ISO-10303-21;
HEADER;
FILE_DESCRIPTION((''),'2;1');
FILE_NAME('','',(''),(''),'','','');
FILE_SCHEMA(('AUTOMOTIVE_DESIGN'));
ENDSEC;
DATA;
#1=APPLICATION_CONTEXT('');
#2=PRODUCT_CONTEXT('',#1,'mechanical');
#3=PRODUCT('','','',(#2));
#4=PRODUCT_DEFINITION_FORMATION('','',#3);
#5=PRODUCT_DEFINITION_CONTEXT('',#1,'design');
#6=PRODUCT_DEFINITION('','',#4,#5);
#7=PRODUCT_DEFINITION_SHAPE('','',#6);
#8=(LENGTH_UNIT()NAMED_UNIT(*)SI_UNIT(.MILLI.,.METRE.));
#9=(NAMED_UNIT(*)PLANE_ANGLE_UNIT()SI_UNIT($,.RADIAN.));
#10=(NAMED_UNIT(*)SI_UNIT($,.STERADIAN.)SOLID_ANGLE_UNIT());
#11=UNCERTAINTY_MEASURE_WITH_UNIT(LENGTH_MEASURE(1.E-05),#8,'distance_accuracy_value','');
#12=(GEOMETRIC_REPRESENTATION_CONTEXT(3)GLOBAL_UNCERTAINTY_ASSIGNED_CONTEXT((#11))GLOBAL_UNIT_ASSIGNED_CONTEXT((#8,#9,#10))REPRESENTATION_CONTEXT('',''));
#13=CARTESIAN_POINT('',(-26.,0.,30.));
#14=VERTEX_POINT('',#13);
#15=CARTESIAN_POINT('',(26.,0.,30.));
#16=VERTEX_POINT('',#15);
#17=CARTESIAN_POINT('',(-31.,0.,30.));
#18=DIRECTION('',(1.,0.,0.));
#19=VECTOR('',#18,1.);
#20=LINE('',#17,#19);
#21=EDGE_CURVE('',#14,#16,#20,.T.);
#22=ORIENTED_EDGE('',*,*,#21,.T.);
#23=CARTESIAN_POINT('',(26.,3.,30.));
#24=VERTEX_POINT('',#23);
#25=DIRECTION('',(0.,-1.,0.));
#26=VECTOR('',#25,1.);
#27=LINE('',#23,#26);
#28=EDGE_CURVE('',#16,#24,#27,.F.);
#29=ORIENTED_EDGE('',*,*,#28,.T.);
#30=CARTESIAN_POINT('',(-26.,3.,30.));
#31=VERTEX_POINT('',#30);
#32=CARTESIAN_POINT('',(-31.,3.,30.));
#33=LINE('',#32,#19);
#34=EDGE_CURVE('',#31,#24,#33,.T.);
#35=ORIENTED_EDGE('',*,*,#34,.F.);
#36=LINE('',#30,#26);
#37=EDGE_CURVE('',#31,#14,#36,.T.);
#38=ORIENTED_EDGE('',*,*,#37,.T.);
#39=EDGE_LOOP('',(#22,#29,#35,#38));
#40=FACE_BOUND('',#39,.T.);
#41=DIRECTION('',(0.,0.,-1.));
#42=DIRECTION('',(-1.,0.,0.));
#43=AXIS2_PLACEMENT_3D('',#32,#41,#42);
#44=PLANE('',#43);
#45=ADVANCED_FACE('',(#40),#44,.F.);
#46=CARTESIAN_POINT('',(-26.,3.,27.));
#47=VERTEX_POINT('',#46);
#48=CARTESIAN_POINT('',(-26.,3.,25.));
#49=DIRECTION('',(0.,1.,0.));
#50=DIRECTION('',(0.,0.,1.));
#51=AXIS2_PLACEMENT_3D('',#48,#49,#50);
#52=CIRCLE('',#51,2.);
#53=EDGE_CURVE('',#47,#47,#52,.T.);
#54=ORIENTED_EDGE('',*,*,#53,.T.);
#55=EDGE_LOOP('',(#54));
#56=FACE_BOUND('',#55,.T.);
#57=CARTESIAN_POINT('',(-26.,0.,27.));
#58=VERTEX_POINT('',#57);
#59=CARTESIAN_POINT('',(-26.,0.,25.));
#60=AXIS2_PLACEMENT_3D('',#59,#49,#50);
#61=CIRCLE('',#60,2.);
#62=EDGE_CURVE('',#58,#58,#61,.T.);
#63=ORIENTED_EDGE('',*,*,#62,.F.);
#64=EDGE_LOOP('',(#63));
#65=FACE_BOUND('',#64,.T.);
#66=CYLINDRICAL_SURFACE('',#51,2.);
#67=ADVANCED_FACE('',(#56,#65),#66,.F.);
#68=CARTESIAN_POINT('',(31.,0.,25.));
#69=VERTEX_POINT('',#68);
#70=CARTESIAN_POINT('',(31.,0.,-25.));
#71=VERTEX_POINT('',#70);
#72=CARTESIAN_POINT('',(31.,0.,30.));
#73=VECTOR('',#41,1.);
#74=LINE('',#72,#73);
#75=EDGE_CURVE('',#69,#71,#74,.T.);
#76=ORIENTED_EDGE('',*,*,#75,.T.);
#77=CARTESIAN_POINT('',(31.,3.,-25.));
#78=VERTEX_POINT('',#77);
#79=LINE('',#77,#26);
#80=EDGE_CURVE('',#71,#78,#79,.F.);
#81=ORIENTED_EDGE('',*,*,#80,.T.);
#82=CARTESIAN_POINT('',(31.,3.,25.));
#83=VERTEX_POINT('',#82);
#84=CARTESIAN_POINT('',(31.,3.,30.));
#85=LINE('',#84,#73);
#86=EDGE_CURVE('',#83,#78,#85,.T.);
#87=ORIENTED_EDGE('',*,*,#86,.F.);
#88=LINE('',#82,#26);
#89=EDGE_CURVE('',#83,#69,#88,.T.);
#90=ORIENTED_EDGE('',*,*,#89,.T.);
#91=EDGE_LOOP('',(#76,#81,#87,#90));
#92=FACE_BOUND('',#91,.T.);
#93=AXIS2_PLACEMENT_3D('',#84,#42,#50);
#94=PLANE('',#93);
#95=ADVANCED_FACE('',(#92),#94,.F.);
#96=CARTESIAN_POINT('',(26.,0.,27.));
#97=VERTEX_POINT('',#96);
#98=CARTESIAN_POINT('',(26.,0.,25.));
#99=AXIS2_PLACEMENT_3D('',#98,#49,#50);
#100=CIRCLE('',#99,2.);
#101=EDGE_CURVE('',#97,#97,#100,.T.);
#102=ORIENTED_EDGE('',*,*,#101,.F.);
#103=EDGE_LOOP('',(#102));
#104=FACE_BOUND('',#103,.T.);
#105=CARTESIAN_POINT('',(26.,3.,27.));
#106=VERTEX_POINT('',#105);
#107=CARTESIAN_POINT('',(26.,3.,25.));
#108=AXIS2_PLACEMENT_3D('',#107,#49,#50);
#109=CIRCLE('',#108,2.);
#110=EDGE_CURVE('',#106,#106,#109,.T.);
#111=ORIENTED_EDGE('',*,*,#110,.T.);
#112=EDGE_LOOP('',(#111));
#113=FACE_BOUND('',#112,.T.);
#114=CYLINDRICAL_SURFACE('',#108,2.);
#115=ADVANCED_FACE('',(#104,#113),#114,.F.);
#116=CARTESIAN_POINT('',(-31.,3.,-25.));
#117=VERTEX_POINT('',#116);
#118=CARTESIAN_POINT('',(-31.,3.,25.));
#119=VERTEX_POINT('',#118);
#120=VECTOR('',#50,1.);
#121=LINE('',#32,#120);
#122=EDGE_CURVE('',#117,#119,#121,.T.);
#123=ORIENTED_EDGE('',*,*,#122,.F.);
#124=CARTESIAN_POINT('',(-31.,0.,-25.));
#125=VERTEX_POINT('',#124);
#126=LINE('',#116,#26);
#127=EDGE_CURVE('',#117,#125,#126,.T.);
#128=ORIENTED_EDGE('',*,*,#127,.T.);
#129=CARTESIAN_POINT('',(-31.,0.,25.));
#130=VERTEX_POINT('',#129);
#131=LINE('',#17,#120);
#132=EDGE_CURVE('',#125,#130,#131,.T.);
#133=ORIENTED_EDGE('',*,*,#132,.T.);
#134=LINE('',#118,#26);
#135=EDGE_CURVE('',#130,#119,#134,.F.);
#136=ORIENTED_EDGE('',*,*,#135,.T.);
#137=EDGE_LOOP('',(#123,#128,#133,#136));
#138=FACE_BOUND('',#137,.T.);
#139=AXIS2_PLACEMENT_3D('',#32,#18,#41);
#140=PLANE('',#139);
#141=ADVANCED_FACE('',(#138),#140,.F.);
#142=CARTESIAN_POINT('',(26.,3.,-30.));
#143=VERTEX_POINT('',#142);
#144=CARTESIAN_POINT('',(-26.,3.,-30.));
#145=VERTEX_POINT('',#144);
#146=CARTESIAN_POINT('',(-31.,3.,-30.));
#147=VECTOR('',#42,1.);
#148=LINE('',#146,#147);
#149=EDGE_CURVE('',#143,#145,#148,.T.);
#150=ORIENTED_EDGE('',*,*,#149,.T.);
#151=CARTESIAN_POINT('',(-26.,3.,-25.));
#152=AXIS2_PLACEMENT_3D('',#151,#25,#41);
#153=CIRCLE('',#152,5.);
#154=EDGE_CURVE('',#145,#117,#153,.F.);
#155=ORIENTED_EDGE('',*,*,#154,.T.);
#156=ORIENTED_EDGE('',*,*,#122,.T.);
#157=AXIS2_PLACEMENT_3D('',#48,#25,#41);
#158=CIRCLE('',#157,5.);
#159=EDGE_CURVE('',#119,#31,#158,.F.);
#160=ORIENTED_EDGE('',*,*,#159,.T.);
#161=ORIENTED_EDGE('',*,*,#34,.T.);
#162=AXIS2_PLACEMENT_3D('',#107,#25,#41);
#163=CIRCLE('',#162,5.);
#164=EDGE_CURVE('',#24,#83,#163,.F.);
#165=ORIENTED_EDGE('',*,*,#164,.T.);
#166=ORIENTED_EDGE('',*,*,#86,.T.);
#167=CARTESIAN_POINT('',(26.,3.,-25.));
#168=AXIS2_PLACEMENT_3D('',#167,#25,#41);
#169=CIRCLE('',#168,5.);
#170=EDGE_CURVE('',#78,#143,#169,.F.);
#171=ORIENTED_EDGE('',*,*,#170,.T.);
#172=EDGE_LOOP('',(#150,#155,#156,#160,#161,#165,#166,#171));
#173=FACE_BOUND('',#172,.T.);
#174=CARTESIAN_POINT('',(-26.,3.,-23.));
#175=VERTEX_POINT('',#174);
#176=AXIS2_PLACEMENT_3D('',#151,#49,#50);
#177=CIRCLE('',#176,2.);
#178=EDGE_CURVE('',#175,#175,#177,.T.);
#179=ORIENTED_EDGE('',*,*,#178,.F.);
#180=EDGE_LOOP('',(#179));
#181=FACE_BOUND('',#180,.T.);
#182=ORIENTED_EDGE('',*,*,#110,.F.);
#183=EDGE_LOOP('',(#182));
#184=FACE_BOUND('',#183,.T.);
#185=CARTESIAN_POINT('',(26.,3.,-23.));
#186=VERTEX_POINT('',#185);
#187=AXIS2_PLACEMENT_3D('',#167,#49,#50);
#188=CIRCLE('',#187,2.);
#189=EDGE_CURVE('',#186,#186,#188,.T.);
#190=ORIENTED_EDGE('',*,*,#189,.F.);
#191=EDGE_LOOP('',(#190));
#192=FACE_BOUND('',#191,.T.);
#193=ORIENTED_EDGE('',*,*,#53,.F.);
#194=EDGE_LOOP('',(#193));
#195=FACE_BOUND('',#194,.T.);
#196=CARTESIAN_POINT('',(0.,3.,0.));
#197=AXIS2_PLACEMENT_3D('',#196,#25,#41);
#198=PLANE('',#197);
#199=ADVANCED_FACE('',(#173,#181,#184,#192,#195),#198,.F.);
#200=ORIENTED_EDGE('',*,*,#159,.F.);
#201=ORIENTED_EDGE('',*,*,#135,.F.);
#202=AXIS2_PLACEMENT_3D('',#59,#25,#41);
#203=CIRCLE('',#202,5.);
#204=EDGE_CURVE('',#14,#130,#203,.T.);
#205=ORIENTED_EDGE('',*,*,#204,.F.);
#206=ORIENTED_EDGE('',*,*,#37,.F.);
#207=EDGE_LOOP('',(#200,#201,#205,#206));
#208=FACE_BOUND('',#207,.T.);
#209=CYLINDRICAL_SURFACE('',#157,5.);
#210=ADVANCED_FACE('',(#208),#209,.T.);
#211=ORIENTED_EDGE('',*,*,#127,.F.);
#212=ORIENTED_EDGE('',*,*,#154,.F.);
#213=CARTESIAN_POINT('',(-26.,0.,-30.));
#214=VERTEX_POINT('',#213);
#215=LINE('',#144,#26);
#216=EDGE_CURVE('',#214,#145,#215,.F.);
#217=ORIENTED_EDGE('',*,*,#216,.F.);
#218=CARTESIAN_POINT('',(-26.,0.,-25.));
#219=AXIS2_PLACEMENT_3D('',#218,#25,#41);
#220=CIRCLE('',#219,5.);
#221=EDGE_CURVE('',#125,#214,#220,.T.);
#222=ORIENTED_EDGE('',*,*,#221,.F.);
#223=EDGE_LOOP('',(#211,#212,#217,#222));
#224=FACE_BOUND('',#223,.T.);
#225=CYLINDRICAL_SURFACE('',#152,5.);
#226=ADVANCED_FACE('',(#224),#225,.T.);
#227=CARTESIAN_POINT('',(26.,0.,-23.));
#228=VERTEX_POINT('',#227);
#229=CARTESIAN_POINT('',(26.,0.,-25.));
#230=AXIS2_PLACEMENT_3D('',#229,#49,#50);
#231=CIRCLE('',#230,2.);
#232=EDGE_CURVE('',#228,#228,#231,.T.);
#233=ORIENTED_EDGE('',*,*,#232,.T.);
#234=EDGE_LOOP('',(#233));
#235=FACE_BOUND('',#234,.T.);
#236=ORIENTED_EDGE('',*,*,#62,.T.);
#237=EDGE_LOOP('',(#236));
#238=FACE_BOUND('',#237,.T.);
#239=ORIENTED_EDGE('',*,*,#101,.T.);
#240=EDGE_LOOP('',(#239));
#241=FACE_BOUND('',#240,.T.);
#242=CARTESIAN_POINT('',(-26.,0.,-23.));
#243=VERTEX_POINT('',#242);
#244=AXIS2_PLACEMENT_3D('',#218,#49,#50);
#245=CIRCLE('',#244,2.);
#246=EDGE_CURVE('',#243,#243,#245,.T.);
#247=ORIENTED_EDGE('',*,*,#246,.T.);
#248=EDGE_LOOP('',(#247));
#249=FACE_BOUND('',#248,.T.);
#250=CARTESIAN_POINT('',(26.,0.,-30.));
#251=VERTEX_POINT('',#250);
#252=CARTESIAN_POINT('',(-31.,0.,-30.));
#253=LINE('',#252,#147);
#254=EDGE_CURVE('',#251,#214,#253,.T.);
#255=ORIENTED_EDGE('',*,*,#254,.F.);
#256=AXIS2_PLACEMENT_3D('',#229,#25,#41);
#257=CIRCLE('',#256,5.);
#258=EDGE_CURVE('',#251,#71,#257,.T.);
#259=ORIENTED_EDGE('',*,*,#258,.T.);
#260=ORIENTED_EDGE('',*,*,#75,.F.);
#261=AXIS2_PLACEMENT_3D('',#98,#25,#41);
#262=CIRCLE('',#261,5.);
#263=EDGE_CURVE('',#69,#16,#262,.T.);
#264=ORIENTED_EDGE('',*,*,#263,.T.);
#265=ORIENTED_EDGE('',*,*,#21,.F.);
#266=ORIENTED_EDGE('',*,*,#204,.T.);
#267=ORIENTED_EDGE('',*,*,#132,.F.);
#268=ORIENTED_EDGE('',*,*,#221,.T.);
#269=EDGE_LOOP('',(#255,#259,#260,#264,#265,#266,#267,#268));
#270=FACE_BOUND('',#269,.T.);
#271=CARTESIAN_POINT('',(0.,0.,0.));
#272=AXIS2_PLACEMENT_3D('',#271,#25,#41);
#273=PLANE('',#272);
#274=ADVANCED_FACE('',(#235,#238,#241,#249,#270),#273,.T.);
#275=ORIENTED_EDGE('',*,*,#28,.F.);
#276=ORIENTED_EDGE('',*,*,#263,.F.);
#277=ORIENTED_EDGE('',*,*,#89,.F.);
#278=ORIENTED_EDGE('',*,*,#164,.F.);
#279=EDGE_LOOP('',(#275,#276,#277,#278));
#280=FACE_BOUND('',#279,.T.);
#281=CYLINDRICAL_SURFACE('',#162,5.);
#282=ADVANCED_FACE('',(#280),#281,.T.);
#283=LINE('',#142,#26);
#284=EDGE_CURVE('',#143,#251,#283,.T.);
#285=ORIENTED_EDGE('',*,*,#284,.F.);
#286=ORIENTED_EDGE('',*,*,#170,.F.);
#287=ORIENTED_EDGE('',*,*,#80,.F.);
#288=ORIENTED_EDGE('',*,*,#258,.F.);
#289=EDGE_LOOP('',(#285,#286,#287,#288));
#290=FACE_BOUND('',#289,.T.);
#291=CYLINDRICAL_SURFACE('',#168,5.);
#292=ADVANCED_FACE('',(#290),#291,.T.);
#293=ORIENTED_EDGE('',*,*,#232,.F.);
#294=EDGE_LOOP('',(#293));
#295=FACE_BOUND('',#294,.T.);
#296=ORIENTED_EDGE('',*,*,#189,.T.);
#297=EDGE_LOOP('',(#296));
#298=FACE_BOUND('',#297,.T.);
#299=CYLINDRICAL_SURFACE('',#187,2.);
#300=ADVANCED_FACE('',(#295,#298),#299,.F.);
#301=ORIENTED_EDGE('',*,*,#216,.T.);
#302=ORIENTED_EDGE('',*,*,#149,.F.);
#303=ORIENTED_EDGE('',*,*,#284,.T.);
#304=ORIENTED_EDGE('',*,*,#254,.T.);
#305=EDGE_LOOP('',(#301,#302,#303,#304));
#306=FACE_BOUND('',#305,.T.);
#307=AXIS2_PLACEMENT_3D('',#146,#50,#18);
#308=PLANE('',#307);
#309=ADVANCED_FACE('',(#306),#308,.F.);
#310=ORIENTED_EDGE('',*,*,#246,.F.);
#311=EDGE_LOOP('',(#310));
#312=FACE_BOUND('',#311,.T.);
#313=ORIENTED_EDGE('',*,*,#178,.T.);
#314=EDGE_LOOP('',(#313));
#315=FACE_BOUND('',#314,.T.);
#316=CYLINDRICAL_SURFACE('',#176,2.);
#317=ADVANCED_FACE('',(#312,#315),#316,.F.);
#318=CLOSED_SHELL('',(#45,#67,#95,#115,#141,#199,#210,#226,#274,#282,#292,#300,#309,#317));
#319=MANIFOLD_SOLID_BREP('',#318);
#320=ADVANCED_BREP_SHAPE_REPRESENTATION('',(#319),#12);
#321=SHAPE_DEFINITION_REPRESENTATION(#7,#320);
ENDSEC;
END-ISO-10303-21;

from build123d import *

# Parameters (mm, degrees)
SKETCH1_W                = 62
SKETCH1_H                = 60
BOSS_EXTRUDE1_DEPTH      = 3
F_4_0_4_DIAMETER_HOLE1_D = 4
FILLET1_R                = 5


with BuildPart() as part:
    # Sketch1 → Boss-Extrude1 (new body)
    with BuildSketch(Plane(origin=(0, 0, 0), x_dir=(1, 0, 0), z_dir=(0, 1, 0))):
        Rectangle(SKETCH1_W, SKETCH1_H)
    extrude(amount=BOSS_EXTRUDE1_DEPTH)

    # Ø4.0 (4) Diameter Hole1 (through all)
    with Locations(Plane(origin=(0, 3, 0), x_dir=(1, 0, 0), z_dir=(0, 1, 0))):
        with Locations((-26, 25), (26, -25), (26, 25), (-26, -25)):
            Hole(F_4_0_4_DIAMETER_HOLE1_D / 2)

    # Fillet1
    fillet1_edges = [part.edges().sort_by_distance(p)[0] for p in [
        (31, 1.5, 30),
        (-31, 1.5, 30),
        (-31, 1.5, -30),
        (31, 1.5, -30),
    ]]
    fillet(fillet1_edges, radius=FILLET1_R)


solid = part.part
